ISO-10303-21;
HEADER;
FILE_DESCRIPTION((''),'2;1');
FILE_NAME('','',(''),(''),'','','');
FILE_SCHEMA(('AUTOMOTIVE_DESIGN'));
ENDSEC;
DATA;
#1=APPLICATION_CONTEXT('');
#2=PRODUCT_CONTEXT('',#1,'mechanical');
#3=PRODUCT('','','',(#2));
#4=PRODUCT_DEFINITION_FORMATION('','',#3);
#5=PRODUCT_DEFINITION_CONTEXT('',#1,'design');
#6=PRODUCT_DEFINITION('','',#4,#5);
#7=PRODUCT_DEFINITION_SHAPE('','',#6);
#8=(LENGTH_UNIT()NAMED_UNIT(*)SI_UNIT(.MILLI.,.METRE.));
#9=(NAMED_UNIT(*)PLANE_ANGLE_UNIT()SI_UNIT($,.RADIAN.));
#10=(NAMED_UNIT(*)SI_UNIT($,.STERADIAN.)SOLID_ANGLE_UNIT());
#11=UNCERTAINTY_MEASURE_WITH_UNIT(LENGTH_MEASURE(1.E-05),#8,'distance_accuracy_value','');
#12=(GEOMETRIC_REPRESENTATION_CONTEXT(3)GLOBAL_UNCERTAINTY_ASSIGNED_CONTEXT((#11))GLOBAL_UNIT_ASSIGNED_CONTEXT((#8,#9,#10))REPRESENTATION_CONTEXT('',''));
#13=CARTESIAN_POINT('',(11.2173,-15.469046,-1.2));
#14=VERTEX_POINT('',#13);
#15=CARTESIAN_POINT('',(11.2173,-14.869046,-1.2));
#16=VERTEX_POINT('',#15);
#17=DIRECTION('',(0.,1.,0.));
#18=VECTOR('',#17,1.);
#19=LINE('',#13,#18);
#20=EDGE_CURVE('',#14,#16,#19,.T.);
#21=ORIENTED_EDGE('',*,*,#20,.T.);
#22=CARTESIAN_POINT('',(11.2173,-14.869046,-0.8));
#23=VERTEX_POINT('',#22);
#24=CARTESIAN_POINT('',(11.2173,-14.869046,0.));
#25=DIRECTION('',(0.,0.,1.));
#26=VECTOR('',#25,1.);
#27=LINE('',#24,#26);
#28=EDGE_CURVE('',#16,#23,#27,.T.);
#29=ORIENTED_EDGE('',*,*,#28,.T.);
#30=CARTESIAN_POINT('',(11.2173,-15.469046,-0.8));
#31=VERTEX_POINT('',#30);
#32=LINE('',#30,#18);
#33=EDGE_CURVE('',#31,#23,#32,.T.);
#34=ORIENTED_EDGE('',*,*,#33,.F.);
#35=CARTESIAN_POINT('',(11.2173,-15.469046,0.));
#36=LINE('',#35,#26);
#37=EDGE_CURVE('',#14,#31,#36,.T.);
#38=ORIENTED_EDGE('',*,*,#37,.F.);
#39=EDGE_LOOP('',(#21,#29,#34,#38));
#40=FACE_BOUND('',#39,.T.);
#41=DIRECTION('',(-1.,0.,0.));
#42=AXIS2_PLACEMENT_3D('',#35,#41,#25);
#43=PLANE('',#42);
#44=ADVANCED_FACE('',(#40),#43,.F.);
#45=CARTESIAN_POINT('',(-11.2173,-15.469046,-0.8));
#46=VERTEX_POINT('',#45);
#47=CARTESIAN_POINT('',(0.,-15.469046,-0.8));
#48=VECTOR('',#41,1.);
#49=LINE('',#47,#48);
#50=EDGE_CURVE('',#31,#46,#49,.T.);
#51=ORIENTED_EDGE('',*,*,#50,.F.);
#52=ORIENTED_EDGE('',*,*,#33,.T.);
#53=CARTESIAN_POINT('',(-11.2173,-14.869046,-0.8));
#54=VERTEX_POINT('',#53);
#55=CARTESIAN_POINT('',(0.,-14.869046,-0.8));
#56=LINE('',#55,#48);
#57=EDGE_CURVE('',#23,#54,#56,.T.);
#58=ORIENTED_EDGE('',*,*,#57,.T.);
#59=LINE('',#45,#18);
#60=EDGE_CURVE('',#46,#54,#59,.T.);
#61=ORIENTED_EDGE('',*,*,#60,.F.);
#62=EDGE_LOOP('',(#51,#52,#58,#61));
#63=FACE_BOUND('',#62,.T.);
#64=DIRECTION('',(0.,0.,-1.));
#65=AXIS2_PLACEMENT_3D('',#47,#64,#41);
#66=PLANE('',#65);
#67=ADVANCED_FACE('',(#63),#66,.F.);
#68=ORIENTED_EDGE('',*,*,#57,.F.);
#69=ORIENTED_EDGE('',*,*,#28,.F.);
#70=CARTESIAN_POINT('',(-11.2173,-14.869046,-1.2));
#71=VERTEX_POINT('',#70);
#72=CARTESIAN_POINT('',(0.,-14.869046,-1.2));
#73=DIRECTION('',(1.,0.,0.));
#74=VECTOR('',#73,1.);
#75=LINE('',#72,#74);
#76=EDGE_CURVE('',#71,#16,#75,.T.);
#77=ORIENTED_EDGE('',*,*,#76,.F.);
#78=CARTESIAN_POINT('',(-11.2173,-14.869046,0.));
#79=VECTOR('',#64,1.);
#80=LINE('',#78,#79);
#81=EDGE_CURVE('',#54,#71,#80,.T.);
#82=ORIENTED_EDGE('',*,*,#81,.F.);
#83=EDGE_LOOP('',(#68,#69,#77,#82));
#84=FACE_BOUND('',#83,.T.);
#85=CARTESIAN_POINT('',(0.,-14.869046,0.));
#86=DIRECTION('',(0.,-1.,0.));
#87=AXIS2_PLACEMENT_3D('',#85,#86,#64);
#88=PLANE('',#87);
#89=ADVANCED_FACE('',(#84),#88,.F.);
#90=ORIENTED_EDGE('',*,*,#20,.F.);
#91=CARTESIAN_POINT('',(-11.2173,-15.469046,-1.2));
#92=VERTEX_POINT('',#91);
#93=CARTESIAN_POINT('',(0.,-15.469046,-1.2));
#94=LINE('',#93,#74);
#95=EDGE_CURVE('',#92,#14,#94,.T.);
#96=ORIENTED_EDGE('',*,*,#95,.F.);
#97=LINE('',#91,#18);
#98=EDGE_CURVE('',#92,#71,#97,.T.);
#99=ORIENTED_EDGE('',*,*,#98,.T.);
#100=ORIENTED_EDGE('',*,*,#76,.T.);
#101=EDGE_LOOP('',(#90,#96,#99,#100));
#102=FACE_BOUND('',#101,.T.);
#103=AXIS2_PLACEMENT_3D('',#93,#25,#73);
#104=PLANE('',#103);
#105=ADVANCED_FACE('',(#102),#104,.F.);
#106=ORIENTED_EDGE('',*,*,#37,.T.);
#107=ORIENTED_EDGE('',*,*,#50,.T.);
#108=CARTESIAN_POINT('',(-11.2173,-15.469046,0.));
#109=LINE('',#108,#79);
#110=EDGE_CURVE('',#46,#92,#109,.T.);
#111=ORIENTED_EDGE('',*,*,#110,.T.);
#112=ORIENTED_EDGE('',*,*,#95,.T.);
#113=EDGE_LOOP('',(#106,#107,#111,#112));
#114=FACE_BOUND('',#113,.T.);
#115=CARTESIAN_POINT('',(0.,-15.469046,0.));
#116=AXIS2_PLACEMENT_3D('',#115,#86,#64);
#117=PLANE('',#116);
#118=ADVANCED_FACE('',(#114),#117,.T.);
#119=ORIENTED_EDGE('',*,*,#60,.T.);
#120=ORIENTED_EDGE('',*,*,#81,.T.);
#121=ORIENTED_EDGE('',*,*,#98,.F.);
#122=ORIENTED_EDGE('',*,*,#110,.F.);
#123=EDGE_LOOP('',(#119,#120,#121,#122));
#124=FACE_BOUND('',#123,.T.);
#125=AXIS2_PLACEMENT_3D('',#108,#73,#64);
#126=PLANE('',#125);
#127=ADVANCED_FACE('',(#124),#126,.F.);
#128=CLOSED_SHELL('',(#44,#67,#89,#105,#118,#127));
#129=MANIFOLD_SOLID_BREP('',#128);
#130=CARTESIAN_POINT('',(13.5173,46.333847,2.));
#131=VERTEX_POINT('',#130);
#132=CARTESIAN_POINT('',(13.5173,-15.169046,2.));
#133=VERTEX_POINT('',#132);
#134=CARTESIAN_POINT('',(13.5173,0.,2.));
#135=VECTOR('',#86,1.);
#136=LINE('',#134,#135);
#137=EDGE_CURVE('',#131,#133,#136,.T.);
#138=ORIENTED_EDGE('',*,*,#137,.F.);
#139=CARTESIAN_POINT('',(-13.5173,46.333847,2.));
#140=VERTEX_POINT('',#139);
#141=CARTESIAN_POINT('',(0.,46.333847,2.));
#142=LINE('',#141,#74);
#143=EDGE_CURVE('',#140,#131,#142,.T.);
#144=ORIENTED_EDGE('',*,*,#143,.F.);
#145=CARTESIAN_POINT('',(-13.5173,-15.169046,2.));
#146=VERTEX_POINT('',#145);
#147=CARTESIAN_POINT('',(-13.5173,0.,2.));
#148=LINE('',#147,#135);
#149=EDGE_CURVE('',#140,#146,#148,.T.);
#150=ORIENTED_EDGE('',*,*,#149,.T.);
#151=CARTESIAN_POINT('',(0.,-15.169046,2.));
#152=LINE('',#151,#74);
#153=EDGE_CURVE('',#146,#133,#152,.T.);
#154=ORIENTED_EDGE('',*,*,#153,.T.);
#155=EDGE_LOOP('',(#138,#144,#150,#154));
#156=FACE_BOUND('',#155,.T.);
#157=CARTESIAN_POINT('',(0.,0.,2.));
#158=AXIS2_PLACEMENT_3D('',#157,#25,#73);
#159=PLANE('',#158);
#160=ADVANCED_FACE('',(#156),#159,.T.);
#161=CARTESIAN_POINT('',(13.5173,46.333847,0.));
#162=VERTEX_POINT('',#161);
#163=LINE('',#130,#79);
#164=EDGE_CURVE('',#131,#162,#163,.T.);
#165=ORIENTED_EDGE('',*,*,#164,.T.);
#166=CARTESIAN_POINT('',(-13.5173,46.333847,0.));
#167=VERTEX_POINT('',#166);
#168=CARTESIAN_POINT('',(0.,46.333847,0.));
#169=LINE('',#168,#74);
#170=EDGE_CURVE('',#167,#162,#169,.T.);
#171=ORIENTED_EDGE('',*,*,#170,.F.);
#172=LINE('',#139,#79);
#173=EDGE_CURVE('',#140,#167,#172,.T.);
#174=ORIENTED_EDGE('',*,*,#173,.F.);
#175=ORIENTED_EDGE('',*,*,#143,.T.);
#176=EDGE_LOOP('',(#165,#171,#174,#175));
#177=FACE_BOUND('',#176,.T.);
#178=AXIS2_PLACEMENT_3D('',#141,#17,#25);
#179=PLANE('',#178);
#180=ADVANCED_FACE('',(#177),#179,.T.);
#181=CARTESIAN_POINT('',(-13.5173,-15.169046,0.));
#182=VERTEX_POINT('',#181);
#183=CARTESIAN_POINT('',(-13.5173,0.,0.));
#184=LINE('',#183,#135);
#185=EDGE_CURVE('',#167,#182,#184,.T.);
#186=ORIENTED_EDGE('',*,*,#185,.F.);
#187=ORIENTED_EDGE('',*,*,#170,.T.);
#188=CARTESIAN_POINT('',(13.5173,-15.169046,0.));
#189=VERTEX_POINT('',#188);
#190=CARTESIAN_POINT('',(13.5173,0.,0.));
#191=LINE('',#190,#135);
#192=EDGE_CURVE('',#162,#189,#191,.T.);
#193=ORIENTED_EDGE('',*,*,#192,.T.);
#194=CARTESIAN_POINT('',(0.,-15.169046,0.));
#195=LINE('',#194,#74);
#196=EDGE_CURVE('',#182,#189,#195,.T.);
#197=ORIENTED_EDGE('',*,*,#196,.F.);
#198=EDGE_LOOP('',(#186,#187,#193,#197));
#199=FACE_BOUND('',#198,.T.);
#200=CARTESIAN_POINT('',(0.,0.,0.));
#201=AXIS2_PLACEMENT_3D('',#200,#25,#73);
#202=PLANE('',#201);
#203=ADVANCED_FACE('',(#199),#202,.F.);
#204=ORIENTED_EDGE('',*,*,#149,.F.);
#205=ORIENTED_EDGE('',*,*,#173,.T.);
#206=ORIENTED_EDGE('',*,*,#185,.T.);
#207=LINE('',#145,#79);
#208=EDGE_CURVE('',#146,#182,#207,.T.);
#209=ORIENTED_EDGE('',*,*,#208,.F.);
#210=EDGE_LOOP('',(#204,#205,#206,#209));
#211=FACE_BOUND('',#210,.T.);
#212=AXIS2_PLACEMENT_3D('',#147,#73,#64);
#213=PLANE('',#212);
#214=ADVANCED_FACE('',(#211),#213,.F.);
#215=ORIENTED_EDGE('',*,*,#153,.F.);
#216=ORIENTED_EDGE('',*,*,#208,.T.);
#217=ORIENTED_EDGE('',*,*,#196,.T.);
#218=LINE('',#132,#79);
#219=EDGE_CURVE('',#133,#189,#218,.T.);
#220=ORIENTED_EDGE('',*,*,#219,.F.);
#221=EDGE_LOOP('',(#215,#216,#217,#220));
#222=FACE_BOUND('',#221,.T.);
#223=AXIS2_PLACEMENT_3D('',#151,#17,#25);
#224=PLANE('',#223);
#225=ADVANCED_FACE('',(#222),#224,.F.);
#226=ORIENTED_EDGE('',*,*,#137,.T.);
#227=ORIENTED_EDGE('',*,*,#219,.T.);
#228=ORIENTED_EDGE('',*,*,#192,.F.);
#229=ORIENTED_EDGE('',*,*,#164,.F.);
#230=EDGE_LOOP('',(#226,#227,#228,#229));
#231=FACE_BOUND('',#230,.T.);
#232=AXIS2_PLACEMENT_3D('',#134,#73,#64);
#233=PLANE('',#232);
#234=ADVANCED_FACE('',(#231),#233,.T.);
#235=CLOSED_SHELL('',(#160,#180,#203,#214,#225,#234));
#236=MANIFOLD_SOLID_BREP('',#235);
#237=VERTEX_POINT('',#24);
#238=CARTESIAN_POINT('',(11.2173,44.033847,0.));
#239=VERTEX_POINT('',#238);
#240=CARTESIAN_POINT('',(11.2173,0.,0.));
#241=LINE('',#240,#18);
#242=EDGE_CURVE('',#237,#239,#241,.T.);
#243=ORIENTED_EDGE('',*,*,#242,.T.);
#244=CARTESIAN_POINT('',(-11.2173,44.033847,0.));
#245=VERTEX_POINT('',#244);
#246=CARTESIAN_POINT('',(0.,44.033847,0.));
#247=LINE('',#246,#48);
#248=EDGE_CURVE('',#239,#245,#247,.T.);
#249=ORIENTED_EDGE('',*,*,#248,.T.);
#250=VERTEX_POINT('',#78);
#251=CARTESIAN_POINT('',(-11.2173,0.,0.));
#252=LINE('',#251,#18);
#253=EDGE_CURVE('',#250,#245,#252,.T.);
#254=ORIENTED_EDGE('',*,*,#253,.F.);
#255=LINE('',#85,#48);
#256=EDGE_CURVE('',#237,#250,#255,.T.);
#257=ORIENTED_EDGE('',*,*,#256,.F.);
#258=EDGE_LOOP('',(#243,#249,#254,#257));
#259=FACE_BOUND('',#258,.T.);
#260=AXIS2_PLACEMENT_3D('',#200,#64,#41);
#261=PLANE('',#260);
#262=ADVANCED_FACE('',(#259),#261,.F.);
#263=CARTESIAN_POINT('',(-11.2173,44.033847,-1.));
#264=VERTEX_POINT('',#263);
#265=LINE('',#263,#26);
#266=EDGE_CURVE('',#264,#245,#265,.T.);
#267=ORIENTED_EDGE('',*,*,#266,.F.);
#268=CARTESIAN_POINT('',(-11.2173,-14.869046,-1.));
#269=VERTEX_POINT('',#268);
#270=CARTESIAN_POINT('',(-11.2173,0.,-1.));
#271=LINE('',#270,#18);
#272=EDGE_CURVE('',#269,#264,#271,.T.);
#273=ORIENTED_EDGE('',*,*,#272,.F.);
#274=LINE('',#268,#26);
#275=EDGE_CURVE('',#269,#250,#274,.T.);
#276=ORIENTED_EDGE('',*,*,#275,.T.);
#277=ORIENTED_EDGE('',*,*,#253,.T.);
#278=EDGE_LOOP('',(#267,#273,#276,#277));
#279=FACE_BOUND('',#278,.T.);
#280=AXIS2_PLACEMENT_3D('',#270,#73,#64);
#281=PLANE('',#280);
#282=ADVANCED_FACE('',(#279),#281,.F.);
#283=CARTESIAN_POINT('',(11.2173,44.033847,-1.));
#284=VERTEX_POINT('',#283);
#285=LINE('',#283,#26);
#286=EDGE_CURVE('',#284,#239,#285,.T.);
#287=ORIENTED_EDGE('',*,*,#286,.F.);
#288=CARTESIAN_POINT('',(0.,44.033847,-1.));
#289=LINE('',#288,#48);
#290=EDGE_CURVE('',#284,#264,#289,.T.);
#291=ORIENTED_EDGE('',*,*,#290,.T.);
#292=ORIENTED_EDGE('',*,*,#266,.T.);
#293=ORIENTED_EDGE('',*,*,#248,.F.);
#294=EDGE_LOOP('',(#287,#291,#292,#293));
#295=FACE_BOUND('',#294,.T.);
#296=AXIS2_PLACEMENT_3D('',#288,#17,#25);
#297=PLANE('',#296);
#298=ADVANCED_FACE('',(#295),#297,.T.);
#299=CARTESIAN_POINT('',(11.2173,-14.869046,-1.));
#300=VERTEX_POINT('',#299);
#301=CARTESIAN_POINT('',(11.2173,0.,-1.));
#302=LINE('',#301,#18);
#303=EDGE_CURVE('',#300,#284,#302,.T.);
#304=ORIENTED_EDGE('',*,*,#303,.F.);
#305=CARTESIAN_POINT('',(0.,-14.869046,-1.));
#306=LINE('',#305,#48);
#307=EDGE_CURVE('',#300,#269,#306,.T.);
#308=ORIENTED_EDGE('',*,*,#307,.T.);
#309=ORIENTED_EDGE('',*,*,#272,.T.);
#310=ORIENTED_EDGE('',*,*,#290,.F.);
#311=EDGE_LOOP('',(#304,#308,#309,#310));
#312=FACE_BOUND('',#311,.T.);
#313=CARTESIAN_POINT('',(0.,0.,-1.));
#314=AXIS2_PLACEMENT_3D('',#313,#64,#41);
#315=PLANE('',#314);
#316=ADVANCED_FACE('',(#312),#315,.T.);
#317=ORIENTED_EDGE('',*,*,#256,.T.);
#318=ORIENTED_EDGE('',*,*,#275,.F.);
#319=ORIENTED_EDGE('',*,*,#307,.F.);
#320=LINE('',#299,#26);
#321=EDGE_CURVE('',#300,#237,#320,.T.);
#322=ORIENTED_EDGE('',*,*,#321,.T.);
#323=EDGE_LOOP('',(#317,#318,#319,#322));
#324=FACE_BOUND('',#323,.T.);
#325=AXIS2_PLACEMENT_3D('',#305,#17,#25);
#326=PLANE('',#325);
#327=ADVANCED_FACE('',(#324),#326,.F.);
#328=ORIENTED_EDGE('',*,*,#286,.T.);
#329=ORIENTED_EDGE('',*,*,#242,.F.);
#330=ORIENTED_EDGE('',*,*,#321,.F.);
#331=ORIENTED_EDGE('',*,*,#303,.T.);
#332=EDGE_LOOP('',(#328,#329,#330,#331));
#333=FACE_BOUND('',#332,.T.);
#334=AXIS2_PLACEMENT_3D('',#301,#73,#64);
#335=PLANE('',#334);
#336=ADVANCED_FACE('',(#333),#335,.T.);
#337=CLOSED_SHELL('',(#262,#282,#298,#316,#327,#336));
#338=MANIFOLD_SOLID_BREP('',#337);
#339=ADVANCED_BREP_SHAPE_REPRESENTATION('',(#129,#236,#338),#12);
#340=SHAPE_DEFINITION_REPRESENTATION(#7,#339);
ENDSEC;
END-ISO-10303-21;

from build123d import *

# Parameters (mm, degrees)
SKETCH1_W           = 27.034600944
SKETCH1_H           = 61.50289226
BOSS_EXTRUDE1_DEPTH = 2
SKETCH2_W           = 22.434600944
SKETCH2_H           = 58.90289226
BOSS_EXTRUDE2_DEPTH = 1
SKETCH3_W           = 22.434600944
SKETCH3_H           = 0.2
BOSS_EXTRUDE3_DEPTH = 0.6


with BuildPart() as part:
    # Sketch1 → Boss-Extrude1 (new body)
    with BuildSketch(Plane.XY):
        with Locations((0, 15.582400554)):
            Rectangle(SKETCH1_W, SKETCH1_H)
    extrude(amount=BOSS_EXTRUDE1_DEPTH)


with BuildPart() as body_2:
    # Sketch2 → Boss-Extrude2 (new body)
    with BuildSketch(Plane(origin=(0, 0, 0), x_dir=(-1, 0, 0), z_dir=(0, 0, -1))):
        with Locations((0, 14.582400554)):
            Rectangle(SKETCH2_W, SKETCH2_H)
    extrude(amount=BOSS_EXTRUDE2_DEPTH)


with BuildPart() as body_3:
    # Sketch3 → Boss-Extrude3 (new body)
    with BuildSketch(Plane.XZ.offset(14.869045576)):
        with Locations((0, -1.1)):
            Rectangle(SKETCH3_W, SKETCH3_H)
        with Locations((0, -0.9)):
            Rectangle(SKETCH3_W, SKETCH3_H)
    extrude(amount=BOSS_EXTRUDE3_DEPTH)


solid = Compound([part.part, body_2.part, body_3.part])
